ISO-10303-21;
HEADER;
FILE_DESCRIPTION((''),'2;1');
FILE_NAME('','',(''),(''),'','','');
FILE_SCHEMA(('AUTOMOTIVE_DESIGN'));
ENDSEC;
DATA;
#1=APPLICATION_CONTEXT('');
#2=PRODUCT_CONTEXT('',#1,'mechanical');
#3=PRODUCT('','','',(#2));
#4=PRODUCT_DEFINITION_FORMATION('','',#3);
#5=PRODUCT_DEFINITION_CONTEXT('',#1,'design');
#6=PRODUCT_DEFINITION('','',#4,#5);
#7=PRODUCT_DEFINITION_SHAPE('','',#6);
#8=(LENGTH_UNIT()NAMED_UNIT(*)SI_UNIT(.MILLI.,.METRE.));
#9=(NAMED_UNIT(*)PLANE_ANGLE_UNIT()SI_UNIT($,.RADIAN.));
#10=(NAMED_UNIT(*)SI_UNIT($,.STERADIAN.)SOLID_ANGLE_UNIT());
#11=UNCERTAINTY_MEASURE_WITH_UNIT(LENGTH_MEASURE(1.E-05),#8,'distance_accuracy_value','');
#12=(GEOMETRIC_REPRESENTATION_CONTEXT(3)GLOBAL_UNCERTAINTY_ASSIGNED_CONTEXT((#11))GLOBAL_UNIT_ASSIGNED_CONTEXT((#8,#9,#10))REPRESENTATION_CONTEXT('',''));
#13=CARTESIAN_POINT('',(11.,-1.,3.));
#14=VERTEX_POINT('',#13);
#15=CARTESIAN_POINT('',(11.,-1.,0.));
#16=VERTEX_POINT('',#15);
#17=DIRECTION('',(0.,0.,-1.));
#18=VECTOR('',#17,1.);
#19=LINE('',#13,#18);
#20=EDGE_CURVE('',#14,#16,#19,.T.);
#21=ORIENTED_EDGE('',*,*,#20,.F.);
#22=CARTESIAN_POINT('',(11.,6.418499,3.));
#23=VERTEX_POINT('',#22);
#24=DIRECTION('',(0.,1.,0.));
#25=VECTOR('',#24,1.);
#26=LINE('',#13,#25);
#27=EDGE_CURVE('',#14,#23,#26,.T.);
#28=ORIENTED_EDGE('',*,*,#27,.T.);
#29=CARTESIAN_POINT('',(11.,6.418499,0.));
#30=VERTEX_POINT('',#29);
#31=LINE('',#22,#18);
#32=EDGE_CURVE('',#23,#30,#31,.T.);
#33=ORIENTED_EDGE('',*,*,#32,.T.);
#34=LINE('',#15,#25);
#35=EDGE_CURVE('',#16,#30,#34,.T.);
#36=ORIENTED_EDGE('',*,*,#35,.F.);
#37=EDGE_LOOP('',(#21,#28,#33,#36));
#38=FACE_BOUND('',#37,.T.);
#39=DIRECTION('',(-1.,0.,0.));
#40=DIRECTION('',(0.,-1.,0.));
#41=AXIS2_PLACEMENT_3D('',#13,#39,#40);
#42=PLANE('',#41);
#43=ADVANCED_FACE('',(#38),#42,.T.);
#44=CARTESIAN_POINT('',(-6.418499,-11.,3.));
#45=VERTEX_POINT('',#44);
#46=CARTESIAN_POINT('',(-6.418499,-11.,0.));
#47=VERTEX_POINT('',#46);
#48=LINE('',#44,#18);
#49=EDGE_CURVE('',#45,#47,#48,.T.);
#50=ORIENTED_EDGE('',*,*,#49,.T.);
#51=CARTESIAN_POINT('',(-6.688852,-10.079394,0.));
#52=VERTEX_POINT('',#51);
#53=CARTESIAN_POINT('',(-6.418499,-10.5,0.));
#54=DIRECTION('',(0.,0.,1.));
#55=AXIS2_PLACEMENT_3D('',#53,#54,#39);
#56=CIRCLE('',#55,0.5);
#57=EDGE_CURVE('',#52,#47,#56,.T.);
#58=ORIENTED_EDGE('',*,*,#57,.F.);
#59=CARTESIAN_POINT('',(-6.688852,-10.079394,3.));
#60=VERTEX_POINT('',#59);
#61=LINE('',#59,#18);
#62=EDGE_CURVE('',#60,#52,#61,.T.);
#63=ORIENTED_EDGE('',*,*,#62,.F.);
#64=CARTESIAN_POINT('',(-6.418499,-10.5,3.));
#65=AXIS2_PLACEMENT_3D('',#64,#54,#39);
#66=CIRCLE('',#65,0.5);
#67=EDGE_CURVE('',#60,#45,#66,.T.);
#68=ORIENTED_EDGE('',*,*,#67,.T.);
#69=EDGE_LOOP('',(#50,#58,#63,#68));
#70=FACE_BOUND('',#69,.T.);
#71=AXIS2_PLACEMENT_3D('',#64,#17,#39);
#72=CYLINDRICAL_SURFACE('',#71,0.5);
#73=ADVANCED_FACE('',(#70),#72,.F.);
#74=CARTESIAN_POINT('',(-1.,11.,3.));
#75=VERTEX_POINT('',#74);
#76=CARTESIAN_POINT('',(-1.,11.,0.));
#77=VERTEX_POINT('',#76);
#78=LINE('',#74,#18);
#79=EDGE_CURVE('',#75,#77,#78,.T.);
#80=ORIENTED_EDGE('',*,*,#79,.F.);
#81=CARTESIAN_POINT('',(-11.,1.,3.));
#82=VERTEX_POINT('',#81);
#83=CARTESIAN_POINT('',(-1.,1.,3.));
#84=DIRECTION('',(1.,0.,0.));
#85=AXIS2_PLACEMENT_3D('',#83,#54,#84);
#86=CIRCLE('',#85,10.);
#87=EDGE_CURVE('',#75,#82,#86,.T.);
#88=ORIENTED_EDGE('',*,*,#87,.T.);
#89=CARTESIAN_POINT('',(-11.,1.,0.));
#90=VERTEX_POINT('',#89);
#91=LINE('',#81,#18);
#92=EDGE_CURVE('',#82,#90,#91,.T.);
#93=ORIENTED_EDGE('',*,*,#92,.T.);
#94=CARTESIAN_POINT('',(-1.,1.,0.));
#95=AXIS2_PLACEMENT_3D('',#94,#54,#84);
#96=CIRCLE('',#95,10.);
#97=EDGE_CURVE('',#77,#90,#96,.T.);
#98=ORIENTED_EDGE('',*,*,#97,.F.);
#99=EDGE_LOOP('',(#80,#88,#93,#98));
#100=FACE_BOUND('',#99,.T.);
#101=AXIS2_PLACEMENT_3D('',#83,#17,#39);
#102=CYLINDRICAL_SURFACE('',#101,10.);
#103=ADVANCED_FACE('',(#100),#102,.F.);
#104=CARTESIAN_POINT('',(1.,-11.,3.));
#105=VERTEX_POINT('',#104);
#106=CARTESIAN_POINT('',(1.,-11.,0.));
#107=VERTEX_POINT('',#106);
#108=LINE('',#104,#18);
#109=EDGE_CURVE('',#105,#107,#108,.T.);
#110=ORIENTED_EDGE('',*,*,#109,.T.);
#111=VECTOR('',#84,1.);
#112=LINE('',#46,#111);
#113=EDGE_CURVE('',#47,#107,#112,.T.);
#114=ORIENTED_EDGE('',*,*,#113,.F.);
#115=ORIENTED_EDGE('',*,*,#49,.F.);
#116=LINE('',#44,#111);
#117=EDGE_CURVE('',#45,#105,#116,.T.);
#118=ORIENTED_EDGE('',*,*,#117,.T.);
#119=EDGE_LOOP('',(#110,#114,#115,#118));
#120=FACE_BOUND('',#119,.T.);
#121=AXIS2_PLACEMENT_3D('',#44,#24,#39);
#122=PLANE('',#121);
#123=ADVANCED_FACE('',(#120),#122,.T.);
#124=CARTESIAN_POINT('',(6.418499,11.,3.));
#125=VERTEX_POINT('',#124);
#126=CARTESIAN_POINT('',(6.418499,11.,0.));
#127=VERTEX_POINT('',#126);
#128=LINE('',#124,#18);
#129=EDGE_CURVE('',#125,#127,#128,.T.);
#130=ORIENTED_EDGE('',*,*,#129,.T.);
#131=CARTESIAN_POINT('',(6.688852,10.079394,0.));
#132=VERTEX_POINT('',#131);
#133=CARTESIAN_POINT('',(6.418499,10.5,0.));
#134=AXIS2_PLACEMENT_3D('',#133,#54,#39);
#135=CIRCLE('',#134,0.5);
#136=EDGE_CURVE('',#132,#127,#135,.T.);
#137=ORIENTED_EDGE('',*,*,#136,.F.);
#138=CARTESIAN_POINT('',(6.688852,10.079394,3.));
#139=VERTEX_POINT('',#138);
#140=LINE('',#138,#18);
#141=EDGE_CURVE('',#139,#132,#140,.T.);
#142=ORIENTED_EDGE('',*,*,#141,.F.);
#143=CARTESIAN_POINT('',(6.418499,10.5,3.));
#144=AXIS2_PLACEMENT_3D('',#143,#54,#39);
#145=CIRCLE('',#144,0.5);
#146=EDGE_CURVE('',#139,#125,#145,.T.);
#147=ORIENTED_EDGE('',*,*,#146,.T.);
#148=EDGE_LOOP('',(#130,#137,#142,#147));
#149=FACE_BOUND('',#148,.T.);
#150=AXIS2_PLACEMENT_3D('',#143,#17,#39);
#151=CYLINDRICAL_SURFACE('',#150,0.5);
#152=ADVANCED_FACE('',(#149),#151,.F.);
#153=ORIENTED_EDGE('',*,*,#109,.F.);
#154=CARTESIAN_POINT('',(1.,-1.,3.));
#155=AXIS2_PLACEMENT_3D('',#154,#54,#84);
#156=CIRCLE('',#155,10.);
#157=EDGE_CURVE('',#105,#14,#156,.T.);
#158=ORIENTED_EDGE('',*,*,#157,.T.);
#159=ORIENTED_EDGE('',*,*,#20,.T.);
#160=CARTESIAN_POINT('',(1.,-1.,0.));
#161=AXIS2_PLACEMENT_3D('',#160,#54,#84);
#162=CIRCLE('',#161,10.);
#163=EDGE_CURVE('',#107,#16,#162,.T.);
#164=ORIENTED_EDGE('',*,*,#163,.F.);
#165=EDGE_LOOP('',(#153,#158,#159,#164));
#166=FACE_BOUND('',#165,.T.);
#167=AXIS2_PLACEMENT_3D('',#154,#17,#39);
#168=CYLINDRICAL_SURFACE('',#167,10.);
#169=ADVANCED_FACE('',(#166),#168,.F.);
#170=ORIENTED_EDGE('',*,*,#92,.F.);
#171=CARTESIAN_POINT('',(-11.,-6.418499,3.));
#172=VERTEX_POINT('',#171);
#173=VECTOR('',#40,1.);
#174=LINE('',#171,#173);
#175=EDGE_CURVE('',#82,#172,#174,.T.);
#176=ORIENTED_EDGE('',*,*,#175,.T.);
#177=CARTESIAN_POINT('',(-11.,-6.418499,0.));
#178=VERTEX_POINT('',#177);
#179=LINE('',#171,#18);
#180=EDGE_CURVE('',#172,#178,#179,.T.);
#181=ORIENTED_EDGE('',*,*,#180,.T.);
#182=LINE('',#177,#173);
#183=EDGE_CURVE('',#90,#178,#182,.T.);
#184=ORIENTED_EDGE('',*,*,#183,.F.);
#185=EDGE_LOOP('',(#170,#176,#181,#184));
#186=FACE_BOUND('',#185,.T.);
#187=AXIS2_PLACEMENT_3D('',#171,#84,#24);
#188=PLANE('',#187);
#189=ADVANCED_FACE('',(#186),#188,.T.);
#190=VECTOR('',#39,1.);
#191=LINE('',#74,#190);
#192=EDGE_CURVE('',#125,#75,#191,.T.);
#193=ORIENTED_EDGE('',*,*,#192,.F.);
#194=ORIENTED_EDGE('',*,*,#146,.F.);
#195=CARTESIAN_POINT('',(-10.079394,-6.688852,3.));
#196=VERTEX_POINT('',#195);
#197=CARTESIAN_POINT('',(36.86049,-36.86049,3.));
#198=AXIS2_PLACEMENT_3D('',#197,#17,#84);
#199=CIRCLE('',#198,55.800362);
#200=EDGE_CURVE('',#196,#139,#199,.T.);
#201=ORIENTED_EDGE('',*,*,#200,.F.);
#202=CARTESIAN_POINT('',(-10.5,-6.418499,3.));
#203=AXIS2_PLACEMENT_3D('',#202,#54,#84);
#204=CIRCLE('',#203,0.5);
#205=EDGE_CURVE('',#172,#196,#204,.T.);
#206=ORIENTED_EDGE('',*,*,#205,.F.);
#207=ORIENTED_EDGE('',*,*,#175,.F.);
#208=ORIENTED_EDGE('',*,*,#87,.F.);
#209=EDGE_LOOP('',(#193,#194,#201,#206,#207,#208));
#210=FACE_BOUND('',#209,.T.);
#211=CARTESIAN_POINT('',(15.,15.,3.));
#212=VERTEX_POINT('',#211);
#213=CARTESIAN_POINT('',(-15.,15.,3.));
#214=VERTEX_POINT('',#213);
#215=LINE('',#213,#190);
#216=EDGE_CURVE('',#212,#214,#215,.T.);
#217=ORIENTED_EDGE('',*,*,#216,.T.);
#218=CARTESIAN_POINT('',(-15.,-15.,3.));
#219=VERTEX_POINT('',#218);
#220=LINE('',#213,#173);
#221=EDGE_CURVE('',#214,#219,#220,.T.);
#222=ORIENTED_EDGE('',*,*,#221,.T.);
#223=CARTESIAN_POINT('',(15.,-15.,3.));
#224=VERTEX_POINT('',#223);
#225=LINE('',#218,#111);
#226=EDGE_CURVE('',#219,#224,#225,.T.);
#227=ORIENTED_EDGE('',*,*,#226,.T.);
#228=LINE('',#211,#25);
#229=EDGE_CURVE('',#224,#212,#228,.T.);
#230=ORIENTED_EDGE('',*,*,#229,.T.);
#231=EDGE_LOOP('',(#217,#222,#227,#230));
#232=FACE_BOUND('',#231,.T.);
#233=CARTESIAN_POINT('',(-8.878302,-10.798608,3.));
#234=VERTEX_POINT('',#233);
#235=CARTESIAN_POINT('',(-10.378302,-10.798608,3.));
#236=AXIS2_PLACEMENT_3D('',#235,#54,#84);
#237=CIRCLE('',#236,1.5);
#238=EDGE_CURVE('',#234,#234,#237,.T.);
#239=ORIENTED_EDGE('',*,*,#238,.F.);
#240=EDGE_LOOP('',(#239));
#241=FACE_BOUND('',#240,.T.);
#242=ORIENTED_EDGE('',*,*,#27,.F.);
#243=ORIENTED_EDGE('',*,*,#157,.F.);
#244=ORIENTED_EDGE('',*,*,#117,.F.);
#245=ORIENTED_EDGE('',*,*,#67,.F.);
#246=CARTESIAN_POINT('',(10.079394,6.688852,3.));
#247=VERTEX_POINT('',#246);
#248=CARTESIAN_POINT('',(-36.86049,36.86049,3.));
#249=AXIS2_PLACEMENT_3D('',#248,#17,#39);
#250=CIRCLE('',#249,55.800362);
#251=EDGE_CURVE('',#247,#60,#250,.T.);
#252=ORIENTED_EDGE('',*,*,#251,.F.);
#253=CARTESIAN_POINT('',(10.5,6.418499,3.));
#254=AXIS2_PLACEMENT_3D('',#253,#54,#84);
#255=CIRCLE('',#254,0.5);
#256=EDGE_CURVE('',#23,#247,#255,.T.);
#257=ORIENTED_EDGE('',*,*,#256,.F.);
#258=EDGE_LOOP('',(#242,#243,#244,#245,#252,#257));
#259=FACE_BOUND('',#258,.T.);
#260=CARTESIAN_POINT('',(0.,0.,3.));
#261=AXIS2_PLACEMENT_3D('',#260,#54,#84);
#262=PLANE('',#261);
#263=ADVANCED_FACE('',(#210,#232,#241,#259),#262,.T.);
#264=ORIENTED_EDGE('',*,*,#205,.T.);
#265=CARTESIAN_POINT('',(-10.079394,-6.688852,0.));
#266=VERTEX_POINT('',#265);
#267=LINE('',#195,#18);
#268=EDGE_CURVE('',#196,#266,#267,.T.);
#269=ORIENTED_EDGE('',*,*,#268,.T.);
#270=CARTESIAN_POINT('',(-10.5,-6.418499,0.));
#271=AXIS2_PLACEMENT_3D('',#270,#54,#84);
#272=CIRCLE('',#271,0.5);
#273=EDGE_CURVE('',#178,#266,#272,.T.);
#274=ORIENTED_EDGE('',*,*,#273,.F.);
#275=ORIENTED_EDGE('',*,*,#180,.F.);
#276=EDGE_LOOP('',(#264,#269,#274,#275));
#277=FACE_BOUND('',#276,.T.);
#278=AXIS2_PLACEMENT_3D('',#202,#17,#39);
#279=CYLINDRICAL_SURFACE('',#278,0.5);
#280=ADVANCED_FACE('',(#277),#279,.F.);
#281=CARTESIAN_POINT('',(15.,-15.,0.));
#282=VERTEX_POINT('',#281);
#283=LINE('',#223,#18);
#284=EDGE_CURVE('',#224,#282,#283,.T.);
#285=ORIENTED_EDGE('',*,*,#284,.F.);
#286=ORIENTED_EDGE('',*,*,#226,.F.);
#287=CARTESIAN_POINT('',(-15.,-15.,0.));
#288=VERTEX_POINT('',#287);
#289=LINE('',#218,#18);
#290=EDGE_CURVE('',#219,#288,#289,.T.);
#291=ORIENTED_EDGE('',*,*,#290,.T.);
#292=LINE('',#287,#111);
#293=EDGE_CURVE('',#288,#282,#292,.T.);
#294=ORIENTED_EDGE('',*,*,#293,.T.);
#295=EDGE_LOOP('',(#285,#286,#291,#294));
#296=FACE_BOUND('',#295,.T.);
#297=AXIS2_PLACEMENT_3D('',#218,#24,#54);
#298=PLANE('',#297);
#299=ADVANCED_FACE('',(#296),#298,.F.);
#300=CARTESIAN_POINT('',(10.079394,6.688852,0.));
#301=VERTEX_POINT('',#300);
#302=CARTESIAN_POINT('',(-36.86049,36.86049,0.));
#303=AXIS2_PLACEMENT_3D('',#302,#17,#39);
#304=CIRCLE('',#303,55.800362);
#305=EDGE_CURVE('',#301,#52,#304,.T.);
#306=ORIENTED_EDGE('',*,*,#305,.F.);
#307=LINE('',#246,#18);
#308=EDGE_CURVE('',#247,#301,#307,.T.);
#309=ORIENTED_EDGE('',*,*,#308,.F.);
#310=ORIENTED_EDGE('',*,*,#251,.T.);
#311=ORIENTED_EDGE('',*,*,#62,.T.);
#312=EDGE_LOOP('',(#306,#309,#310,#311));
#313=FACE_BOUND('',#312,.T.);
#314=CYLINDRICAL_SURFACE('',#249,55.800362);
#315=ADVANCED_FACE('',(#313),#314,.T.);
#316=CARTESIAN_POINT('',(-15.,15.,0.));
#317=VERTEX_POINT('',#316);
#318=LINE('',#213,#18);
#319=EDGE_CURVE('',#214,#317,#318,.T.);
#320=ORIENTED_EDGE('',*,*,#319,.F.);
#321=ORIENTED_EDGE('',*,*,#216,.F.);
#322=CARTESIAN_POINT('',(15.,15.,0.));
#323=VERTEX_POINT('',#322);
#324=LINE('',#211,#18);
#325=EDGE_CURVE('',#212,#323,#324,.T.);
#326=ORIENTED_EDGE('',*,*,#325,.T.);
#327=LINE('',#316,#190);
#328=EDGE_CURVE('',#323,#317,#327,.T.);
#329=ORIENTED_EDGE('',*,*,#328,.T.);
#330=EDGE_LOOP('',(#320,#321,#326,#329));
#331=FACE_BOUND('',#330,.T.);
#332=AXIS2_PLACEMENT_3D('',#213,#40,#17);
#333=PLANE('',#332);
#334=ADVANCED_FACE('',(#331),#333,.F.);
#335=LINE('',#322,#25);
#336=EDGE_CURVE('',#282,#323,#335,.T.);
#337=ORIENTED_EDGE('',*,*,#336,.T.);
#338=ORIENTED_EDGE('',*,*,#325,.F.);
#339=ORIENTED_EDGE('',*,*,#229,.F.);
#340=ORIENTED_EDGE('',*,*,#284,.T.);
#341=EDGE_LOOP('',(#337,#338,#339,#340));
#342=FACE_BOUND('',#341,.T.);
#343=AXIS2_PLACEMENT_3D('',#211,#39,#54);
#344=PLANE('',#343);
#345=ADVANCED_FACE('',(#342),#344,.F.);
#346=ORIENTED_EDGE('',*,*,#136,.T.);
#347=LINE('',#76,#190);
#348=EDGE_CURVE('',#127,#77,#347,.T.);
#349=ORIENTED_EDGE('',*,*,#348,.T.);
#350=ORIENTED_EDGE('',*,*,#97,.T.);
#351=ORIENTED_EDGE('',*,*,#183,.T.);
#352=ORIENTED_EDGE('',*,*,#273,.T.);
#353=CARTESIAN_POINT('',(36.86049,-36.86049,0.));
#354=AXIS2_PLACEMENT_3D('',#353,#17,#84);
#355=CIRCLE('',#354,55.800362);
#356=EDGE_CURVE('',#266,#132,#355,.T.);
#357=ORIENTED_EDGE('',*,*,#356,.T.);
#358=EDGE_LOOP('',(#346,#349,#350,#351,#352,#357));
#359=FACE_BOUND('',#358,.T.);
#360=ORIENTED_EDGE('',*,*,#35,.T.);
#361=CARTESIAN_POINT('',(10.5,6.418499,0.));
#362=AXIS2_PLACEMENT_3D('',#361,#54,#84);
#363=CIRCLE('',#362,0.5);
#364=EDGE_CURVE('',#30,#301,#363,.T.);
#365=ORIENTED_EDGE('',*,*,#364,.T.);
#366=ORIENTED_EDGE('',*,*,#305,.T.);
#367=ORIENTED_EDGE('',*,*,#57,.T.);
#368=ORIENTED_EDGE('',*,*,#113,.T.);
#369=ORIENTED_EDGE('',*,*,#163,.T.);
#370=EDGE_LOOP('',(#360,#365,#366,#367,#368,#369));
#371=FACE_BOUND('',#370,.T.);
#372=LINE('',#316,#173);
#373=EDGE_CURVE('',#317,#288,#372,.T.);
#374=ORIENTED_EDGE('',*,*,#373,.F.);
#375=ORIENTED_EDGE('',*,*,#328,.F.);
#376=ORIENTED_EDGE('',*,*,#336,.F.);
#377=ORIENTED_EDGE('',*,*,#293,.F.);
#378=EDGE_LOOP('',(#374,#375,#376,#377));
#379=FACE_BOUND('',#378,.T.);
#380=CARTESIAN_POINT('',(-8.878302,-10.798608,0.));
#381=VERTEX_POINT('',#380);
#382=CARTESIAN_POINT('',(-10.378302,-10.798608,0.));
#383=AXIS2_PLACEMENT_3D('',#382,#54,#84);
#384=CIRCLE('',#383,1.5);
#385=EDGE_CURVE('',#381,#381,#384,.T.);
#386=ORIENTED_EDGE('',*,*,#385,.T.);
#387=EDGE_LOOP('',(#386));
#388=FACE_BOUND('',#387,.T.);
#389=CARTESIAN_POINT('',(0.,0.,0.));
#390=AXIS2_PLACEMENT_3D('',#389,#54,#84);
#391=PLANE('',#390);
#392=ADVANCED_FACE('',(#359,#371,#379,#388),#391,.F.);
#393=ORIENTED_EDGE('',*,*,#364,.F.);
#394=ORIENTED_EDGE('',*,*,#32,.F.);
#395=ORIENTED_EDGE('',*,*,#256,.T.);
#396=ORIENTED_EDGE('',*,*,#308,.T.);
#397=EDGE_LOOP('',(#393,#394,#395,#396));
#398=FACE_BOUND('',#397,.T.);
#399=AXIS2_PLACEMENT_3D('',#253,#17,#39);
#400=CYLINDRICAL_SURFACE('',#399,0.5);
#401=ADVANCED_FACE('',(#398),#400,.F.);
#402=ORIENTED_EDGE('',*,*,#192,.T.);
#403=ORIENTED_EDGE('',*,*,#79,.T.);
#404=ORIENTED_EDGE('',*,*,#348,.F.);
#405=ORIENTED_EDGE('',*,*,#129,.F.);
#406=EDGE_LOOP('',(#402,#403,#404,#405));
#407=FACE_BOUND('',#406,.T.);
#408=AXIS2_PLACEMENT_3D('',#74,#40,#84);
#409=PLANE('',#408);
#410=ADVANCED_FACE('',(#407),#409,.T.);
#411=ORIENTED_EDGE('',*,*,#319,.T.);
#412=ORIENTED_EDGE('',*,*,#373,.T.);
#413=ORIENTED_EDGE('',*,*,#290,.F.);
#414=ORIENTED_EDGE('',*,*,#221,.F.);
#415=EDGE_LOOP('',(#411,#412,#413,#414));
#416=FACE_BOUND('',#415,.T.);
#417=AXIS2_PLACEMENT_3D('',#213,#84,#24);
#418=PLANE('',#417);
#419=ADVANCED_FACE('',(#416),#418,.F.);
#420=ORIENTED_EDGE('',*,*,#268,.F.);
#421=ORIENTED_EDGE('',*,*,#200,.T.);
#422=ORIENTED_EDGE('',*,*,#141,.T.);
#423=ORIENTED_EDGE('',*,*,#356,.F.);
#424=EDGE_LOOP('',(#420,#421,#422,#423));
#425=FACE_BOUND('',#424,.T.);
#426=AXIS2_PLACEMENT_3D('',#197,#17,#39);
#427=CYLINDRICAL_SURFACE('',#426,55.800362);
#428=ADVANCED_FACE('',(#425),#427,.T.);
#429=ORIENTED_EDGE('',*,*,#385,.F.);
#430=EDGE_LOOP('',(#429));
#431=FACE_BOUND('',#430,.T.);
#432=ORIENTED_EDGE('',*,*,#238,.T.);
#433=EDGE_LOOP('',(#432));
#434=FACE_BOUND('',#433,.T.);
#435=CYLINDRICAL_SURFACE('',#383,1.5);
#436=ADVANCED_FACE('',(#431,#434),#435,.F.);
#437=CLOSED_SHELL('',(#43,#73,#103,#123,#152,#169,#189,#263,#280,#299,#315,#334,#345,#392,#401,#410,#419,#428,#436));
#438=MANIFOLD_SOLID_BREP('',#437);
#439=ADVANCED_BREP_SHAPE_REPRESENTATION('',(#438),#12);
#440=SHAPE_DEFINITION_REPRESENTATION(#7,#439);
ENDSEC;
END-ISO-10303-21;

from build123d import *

# Parameters (mm, degrees)
CROQUIS1_W              = 30
CROQUIS1_H              = 30
SALIENTE_EXTRUIR1_DEPTH = 3
CROQUIS2_R              = 1.5
CORTAR_EXTRUIR1_DEPTH   = 3


with BuildPart() as part:
    # Croquis1 → Saliente-Extruir1 (new body)
    with BuildSketch(Plane.XY):
        Rectangle(CROQUIS1_W, CROQUIS1_H)
        with BuildLine():
            Line((-6.418498959, -11), (1, -11))
            ThreePointArc((1, -11), (8.071067812, -8.071067812), (11, -1))
            Line((11, -1), (11, 6.418498959))
            ThreePointArc((11, 6.418498959), (10.640885104, 6.898239917), (10.07939445, 6.688852377))
            ThreePointArc((10.07939445, 6.688852377), (2.596324807, -2.596324807), (-6.688852377, -10.07939445))
            ThreePointArc((-6.688852377, -10.07939445), (-6.898239917, -10.640885104), (-6.418498959, -11))
        make_face(mode=Mode.SUBTRACT)
        with BuildLine():
            Line((-11, -6.418498959), (-11, 1))
            ThreePointArc((-11, 1), (-8.071067812, 8.071067812), (-1, 11))
            Line((-1, 11), (6.418498959, 11))
            ThreePointArc((6.418498959, 11), (6.898239917, 10.640885104), (6.688852377, 10.07939445))
            ThreePointArc((6.688852377, 10.07939445), (-2.596324807, 2.596324807), (-10.07939445, -6.688852377))
            ThreePointArc((-10.07939445, -6.688852377), (-10.640885104, -6.898239917), (-11, -6.418498959))
        make_face(mode=Mode.SUBTRACT)
    extrude(amount=SALIENTE_EXTRUIR1_DEPTH)

    # Croquis2 → Cortar-Extruir1 (cut)
    with BuildSketch(Plane.XY.offset(3)):
        with Locations((-10.378302419, -10.798607502)):
            Circle(CROQUIS2_R)
    extrude(amount=-CORTAR_EXTRUIR1_DEPTH, mode=Mode.SUBTRACT)


solid = part.part
